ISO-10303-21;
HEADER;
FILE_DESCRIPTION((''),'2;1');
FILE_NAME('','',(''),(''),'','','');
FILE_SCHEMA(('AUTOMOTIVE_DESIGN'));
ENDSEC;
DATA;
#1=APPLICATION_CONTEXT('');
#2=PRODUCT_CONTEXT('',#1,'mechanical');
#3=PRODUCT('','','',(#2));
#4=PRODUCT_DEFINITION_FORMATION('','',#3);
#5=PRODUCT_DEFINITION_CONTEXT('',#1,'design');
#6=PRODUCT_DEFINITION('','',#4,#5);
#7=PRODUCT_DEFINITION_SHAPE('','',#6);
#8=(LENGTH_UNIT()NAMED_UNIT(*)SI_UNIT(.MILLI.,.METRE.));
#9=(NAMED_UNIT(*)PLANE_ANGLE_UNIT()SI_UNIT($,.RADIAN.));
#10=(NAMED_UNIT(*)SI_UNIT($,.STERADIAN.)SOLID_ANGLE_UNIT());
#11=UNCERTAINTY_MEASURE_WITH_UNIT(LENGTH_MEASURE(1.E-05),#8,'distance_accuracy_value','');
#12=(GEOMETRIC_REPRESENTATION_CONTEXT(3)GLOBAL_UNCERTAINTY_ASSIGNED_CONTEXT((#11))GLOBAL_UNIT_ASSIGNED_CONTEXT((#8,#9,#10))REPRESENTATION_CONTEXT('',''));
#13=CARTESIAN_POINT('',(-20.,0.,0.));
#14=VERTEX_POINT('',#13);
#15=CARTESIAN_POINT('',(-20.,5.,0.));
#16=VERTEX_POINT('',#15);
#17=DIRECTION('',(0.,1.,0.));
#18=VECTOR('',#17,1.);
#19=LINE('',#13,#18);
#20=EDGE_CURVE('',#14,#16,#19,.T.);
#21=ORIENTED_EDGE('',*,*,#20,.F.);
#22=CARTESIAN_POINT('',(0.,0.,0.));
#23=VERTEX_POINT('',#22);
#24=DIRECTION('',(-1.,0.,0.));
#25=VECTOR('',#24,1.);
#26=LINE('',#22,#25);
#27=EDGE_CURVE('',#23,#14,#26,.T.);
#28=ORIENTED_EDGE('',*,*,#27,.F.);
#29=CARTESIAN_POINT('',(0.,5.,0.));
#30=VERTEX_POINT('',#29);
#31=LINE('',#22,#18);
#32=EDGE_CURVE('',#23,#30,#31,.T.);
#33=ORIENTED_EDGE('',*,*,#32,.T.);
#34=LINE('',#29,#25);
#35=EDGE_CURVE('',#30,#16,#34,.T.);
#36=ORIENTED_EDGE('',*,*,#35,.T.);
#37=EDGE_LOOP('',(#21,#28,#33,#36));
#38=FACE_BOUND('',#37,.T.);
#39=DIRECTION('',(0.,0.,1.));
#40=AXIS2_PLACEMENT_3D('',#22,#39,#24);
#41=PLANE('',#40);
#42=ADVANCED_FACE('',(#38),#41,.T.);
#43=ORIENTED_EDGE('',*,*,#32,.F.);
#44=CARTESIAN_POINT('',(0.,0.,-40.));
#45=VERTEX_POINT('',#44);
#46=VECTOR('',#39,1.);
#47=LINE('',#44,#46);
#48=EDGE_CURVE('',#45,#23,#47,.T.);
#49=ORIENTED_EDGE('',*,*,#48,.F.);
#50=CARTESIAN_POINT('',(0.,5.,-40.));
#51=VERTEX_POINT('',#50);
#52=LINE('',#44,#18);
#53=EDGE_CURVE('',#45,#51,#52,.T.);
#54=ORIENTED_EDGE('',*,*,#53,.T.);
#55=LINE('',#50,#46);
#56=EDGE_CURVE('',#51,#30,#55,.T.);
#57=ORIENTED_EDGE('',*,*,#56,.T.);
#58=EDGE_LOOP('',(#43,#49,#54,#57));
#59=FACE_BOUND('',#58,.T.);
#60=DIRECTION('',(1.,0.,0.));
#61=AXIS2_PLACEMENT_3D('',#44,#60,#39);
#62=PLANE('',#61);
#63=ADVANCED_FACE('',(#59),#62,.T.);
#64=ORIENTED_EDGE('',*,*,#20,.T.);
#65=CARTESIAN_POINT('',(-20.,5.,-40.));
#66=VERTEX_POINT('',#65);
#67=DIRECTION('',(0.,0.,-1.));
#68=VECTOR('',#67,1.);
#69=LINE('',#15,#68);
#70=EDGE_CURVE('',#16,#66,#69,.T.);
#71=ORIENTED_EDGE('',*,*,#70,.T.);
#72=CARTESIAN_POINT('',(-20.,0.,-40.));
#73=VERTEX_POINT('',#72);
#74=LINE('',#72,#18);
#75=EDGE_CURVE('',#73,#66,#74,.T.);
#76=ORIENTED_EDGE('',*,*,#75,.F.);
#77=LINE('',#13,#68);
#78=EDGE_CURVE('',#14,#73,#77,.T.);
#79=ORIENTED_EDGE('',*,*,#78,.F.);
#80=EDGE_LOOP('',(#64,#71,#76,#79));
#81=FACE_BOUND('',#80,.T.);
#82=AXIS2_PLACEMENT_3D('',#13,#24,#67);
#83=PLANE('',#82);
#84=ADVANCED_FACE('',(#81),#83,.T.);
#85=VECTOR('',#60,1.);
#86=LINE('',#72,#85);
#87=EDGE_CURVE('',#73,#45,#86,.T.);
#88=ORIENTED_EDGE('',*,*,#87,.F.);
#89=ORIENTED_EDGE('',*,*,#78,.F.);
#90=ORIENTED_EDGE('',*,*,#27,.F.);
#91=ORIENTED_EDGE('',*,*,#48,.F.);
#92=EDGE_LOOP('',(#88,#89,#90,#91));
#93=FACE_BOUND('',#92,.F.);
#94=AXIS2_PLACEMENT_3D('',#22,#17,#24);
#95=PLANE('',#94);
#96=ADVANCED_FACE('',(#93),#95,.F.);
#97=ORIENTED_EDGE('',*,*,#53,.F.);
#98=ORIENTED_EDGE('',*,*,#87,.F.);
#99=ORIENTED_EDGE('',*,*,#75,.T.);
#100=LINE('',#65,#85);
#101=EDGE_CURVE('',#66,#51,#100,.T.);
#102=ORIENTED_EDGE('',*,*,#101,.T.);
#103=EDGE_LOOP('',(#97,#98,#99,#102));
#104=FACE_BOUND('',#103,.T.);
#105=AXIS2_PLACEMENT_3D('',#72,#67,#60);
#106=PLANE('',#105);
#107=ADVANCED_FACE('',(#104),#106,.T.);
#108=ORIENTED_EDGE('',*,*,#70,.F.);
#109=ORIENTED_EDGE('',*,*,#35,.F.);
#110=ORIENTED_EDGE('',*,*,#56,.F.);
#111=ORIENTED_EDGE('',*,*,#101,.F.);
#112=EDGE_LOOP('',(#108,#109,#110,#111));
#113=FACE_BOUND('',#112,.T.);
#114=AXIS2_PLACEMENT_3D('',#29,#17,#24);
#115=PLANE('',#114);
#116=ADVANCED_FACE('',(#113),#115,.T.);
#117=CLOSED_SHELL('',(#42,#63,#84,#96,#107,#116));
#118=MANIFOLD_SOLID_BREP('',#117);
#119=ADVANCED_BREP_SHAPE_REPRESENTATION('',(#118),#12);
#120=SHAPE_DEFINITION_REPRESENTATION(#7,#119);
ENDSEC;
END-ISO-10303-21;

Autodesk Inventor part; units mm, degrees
ref_plane "YZ Plane" through (0, 0, 0) normal (1, 0, 0) x (0, 1, 0)
ref_plane "XZ Plane" through (0, 0, 0) normal (0, 1, 0) x (-1, 0, 0)
ref_plane "XY Plane" through (0, 0, 0) normal (0, 0, 1) x (1, 0, 0)
sketch "Sketch1" plane through (0, 0, 0) normal (0, 1, 0) x (-1, 0, 0)
  line L0 (0, 0) -> (20, 0)
  line L1 (20, 0) -> (20, -40)
  line L2 (20, -40) -> (0, -40)
  line L3 (0, -40) -> (0, 0)
  dimension "d0" = 20
  dimension "d1" = 40
extrude "Extrusion1" add sketch "Sketch1" along normal blind 5
properties part number "team29_toothpaste_lift"
